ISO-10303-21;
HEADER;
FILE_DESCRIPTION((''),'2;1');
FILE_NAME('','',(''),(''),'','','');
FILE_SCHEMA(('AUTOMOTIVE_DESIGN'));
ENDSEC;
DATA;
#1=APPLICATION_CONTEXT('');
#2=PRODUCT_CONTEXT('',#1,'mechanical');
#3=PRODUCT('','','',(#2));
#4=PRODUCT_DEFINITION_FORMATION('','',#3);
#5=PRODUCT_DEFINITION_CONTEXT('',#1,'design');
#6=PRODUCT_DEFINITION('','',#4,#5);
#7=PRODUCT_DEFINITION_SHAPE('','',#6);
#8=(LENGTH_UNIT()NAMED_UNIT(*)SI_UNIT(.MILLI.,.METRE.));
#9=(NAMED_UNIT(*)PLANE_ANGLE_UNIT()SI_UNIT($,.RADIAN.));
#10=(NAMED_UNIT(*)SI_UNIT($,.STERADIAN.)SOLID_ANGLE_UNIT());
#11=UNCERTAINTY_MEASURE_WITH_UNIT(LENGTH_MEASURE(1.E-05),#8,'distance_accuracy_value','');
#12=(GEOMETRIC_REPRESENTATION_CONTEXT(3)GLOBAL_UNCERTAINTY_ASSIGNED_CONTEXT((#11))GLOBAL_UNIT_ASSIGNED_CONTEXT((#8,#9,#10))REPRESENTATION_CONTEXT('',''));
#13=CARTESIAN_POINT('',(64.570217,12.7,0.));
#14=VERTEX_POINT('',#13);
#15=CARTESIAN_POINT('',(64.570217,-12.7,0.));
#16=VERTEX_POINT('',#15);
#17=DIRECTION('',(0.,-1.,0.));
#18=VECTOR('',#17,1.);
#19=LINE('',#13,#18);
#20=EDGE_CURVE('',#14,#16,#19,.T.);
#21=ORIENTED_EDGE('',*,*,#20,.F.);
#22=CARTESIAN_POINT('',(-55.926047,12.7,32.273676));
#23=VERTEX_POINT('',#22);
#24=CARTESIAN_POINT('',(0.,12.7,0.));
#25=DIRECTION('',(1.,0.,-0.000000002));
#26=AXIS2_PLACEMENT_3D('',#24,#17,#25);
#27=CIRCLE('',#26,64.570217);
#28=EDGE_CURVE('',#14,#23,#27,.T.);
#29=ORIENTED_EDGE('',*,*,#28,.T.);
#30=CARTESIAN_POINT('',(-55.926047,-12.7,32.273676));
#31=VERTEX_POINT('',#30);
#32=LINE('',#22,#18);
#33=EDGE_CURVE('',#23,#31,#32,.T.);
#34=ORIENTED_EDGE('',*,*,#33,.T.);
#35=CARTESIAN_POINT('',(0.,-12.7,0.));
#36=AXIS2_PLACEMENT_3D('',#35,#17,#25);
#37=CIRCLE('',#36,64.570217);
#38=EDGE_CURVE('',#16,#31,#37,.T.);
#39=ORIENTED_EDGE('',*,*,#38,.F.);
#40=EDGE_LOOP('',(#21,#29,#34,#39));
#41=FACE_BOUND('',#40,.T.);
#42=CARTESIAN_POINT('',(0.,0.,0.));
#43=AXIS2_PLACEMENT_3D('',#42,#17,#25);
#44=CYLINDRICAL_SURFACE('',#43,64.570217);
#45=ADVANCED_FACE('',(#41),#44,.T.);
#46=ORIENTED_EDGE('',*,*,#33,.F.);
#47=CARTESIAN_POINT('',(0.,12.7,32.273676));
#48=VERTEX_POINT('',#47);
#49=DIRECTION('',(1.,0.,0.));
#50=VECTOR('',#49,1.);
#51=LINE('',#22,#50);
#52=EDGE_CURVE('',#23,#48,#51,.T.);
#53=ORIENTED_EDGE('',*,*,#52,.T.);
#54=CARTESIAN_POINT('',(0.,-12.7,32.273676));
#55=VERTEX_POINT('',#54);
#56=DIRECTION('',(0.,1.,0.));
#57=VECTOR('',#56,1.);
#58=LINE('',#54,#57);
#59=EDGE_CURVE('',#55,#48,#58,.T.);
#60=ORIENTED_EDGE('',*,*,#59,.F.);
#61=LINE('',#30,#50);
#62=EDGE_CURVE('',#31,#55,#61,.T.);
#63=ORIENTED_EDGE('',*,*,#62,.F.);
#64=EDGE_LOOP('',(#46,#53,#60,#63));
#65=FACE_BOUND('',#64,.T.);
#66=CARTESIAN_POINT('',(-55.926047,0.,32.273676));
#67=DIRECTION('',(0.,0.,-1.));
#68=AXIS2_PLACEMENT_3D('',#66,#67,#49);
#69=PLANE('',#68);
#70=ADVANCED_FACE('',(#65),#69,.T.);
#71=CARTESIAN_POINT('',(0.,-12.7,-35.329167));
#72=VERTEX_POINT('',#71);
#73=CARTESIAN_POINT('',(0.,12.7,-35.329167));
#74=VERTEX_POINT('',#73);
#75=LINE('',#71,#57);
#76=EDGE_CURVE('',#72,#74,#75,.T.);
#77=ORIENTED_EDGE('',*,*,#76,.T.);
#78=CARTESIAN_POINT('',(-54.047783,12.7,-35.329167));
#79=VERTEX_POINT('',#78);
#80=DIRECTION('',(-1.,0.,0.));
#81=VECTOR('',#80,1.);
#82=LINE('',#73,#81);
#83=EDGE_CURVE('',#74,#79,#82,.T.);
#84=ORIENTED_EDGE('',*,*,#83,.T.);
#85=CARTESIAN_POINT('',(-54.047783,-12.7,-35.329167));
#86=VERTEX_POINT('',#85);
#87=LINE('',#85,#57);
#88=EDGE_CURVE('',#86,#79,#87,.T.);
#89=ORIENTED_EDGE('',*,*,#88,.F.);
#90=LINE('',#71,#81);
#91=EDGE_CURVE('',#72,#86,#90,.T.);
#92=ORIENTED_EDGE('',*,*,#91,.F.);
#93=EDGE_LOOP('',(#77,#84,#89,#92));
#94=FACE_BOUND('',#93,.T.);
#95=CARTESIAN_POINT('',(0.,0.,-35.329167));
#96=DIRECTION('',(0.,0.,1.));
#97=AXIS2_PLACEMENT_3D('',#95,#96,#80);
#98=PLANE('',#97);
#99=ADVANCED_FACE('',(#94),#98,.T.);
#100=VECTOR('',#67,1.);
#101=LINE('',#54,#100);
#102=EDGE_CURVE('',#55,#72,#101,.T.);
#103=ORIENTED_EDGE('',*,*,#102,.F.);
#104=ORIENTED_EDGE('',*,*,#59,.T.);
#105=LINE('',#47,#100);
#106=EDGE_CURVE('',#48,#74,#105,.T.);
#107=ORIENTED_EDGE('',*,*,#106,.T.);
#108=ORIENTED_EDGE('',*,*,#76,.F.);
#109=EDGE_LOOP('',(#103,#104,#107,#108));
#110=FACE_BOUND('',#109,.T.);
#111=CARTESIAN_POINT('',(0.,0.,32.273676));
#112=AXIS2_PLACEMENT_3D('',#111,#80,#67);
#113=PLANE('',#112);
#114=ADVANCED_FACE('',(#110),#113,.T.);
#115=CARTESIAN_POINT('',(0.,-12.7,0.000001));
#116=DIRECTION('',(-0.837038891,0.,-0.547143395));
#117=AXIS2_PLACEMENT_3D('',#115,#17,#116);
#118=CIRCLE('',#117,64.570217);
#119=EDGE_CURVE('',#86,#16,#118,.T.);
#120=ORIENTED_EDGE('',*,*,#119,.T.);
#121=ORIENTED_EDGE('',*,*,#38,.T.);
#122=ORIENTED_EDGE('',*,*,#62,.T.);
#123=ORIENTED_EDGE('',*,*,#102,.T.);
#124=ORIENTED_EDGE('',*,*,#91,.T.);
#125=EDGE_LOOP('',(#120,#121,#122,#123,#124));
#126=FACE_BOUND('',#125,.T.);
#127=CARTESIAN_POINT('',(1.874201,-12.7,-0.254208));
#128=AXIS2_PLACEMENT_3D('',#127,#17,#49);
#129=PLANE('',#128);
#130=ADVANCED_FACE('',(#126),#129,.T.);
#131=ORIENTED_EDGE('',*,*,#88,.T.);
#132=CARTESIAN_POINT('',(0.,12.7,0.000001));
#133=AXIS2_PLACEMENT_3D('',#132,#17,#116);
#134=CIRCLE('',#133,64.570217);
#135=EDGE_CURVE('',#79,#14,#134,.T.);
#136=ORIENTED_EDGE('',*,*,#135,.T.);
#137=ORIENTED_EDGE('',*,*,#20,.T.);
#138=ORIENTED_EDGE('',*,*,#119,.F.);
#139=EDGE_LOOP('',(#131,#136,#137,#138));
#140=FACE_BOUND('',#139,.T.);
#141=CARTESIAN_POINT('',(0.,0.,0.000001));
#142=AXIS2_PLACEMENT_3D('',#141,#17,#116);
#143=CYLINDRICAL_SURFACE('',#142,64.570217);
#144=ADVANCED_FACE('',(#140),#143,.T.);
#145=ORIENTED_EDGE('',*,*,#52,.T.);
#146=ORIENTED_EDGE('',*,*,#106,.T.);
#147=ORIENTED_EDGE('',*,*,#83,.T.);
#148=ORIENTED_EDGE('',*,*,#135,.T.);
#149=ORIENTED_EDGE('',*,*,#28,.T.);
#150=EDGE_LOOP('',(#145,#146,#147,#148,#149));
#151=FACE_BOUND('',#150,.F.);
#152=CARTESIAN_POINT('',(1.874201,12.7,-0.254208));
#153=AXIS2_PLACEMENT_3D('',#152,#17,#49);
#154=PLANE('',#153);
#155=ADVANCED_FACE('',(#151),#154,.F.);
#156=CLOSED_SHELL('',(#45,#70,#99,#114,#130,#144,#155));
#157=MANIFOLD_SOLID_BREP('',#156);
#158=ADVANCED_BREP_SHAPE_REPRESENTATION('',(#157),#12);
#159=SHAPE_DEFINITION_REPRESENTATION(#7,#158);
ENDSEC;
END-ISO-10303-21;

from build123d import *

# Parameters (mm, degrees)
F1_DEPTH = 12.7


with BuildPart() as f1:
    # F0 (on Front) → F1 (new body, symmetric)
    with BuildSketch(Plane.XZ):
        with BuildLine():
            ThreePointArc((-54.047783, -35.329167), (18.431438, -61.883721), (64.570217, 0))
            ThreePointArc((64.570217, 0), (16.705627, 62.371748), (-55.926047, 32.273676))
            Line((-55.926047, 32.273676), (0, 32.273676))
            Line((0, 32.273676), (0, -35.329167))
            Line((0, -35.329167), (-54.047783, -35.329167))
        make_face()
    extrude(amount=F1_DEPTH, both=True)


solid = f1.part
